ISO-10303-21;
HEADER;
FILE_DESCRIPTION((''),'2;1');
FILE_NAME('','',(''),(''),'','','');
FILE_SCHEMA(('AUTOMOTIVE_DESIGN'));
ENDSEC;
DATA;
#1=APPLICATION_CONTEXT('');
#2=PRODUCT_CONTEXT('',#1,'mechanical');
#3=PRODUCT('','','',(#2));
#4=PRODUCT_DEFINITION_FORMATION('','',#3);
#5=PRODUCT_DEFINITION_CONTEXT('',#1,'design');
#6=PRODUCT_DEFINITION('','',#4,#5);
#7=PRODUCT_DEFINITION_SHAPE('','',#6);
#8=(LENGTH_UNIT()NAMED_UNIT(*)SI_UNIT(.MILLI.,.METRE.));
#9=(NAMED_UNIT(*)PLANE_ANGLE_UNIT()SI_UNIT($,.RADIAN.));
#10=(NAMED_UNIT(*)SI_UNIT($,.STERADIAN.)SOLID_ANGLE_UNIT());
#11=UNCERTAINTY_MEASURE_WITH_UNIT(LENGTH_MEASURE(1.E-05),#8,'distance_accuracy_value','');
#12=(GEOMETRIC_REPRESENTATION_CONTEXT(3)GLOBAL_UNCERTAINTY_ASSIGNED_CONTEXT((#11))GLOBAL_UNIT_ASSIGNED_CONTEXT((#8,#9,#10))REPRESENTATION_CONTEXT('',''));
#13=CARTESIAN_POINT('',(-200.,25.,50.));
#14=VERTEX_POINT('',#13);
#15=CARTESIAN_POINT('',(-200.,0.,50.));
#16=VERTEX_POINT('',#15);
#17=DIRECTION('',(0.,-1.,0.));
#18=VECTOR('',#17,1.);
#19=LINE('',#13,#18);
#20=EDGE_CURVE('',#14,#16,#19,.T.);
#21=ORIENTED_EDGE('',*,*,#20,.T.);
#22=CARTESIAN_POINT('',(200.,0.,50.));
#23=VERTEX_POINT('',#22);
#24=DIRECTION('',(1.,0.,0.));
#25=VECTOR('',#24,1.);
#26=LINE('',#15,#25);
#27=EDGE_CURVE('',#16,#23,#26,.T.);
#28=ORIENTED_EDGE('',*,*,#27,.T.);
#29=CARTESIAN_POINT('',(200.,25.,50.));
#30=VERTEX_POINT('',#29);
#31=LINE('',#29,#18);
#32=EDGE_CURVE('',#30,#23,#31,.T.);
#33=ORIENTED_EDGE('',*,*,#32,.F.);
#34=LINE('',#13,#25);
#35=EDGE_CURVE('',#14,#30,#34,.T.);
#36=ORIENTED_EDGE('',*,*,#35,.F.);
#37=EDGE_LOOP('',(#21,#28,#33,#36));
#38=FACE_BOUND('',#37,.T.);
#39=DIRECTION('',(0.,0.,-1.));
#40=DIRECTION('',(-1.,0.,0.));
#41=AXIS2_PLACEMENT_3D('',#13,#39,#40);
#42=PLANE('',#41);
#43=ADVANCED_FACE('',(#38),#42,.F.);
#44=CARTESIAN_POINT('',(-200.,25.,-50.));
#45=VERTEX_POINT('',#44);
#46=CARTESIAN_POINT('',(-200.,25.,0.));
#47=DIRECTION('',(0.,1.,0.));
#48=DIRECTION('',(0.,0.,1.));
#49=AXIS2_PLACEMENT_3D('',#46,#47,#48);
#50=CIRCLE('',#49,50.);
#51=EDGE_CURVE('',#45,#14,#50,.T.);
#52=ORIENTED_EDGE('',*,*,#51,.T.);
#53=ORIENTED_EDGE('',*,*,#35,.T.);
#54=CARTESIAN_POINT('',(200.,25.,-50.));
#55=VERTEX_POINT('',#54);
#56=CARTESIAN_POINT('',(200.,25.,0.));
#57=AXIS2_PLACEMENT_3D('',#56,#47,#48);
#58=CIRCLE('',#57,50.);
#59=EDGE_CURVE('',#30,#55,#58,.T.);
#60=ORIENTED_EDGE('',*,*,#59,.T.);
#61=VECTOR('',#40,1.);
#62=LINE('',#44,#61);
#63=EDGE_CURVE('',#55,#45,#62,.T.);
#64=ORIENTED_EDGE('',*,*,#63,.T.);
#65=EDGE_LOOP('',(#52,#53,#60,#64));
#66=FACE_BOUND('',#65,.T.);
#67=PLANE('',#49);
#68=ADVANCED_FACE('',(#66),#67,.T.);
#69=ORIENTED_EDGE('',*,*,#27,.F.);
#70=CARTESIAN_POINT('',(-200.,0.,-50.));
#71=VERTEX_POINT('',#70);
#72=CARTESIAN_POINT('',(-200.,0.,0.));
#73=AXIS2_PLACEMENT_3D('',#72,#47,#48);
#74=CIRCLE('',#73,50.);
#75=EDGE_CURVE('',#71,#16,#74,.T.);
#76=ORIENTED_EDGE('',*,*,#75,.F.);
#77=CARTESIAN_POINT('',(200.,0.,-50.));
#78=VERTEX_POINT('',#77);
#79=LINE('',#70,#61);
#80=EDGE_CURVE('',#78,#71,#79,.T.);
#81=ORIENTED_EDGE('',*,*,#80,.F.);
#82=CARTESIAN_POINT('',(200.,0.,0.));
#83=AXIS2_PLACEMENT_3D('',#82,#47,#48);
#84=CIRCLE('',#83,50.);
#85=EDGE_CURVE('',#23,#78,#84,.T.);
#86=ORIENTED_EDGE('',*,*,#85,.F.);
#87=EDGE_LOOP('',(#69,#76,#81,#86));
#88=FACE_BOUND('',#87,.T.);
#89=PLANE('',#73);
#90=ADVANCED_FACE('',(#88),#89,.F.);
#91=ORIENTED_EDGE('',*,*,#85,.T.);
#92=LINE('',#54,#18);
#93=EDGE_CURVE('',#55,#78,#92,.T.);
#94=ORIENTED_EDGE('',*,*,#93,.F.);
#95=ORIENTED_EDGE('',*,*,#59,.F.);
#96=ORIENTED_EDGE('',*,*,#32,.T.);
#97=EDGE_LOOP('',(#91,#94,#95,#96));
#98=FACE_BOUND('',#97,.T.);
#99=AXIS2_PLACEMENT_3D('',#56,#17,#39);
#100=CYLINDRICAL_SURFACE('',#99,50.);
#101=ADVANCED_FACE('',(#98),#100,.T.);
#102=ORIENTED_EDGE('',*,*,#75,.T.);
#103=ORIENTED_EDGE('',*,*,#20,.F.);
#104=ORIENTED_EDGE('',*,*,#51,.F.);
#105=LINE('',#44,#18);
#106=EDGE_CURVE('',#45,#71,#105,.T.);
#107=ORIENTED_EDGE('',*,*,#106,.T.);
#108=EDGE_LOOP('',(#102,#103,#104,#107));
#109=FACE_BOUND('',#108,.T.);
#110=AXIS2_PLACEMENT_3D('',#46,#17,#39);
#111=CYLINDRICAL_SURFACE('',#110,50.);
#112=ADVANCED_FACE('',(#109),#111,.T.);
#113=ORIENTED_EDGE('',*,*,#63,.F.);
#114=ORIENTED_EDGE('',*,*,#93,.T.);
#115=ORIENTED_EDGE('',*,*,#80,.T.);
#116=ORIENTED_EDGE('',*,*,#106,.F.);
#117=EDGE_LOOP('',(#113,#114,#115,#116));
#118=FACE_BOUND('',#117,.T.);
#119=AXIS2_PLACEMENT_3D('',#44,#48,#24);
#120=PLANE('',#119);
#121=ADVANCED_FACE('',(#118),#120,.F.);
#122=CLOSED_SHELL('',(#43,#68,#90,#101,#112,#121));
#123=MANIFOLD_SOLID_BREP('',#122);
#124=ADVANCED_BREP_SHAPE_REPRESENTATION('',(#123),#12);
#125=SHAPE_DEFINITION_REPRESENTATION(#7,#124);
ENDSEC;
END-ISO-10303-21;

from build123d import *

# Parameters (mm, degrees)
EXTRUDE_1_DEPTH = 25


with BuildPart() as part:
    # 草图1 → 凸台-拉伸1 (new body)
    with BuildSketch(Plane(origin=(0, 0, 0), x_dir=(1, 0, 0), z_dir=(0, 1, 0))):
        with BuildLine():
            Line((-200, 50), (200, 50))
            ThreePointArc((200, 50), (250, 0), (200, -50))
            Line((200, -50), (-200, -50))
            ThreePointArc((-200, -50), (-250, 0), (-200, 50))
        make_face()
    extrude(amount=EXTRUDE_1_DEPTH)


solid = part.part
